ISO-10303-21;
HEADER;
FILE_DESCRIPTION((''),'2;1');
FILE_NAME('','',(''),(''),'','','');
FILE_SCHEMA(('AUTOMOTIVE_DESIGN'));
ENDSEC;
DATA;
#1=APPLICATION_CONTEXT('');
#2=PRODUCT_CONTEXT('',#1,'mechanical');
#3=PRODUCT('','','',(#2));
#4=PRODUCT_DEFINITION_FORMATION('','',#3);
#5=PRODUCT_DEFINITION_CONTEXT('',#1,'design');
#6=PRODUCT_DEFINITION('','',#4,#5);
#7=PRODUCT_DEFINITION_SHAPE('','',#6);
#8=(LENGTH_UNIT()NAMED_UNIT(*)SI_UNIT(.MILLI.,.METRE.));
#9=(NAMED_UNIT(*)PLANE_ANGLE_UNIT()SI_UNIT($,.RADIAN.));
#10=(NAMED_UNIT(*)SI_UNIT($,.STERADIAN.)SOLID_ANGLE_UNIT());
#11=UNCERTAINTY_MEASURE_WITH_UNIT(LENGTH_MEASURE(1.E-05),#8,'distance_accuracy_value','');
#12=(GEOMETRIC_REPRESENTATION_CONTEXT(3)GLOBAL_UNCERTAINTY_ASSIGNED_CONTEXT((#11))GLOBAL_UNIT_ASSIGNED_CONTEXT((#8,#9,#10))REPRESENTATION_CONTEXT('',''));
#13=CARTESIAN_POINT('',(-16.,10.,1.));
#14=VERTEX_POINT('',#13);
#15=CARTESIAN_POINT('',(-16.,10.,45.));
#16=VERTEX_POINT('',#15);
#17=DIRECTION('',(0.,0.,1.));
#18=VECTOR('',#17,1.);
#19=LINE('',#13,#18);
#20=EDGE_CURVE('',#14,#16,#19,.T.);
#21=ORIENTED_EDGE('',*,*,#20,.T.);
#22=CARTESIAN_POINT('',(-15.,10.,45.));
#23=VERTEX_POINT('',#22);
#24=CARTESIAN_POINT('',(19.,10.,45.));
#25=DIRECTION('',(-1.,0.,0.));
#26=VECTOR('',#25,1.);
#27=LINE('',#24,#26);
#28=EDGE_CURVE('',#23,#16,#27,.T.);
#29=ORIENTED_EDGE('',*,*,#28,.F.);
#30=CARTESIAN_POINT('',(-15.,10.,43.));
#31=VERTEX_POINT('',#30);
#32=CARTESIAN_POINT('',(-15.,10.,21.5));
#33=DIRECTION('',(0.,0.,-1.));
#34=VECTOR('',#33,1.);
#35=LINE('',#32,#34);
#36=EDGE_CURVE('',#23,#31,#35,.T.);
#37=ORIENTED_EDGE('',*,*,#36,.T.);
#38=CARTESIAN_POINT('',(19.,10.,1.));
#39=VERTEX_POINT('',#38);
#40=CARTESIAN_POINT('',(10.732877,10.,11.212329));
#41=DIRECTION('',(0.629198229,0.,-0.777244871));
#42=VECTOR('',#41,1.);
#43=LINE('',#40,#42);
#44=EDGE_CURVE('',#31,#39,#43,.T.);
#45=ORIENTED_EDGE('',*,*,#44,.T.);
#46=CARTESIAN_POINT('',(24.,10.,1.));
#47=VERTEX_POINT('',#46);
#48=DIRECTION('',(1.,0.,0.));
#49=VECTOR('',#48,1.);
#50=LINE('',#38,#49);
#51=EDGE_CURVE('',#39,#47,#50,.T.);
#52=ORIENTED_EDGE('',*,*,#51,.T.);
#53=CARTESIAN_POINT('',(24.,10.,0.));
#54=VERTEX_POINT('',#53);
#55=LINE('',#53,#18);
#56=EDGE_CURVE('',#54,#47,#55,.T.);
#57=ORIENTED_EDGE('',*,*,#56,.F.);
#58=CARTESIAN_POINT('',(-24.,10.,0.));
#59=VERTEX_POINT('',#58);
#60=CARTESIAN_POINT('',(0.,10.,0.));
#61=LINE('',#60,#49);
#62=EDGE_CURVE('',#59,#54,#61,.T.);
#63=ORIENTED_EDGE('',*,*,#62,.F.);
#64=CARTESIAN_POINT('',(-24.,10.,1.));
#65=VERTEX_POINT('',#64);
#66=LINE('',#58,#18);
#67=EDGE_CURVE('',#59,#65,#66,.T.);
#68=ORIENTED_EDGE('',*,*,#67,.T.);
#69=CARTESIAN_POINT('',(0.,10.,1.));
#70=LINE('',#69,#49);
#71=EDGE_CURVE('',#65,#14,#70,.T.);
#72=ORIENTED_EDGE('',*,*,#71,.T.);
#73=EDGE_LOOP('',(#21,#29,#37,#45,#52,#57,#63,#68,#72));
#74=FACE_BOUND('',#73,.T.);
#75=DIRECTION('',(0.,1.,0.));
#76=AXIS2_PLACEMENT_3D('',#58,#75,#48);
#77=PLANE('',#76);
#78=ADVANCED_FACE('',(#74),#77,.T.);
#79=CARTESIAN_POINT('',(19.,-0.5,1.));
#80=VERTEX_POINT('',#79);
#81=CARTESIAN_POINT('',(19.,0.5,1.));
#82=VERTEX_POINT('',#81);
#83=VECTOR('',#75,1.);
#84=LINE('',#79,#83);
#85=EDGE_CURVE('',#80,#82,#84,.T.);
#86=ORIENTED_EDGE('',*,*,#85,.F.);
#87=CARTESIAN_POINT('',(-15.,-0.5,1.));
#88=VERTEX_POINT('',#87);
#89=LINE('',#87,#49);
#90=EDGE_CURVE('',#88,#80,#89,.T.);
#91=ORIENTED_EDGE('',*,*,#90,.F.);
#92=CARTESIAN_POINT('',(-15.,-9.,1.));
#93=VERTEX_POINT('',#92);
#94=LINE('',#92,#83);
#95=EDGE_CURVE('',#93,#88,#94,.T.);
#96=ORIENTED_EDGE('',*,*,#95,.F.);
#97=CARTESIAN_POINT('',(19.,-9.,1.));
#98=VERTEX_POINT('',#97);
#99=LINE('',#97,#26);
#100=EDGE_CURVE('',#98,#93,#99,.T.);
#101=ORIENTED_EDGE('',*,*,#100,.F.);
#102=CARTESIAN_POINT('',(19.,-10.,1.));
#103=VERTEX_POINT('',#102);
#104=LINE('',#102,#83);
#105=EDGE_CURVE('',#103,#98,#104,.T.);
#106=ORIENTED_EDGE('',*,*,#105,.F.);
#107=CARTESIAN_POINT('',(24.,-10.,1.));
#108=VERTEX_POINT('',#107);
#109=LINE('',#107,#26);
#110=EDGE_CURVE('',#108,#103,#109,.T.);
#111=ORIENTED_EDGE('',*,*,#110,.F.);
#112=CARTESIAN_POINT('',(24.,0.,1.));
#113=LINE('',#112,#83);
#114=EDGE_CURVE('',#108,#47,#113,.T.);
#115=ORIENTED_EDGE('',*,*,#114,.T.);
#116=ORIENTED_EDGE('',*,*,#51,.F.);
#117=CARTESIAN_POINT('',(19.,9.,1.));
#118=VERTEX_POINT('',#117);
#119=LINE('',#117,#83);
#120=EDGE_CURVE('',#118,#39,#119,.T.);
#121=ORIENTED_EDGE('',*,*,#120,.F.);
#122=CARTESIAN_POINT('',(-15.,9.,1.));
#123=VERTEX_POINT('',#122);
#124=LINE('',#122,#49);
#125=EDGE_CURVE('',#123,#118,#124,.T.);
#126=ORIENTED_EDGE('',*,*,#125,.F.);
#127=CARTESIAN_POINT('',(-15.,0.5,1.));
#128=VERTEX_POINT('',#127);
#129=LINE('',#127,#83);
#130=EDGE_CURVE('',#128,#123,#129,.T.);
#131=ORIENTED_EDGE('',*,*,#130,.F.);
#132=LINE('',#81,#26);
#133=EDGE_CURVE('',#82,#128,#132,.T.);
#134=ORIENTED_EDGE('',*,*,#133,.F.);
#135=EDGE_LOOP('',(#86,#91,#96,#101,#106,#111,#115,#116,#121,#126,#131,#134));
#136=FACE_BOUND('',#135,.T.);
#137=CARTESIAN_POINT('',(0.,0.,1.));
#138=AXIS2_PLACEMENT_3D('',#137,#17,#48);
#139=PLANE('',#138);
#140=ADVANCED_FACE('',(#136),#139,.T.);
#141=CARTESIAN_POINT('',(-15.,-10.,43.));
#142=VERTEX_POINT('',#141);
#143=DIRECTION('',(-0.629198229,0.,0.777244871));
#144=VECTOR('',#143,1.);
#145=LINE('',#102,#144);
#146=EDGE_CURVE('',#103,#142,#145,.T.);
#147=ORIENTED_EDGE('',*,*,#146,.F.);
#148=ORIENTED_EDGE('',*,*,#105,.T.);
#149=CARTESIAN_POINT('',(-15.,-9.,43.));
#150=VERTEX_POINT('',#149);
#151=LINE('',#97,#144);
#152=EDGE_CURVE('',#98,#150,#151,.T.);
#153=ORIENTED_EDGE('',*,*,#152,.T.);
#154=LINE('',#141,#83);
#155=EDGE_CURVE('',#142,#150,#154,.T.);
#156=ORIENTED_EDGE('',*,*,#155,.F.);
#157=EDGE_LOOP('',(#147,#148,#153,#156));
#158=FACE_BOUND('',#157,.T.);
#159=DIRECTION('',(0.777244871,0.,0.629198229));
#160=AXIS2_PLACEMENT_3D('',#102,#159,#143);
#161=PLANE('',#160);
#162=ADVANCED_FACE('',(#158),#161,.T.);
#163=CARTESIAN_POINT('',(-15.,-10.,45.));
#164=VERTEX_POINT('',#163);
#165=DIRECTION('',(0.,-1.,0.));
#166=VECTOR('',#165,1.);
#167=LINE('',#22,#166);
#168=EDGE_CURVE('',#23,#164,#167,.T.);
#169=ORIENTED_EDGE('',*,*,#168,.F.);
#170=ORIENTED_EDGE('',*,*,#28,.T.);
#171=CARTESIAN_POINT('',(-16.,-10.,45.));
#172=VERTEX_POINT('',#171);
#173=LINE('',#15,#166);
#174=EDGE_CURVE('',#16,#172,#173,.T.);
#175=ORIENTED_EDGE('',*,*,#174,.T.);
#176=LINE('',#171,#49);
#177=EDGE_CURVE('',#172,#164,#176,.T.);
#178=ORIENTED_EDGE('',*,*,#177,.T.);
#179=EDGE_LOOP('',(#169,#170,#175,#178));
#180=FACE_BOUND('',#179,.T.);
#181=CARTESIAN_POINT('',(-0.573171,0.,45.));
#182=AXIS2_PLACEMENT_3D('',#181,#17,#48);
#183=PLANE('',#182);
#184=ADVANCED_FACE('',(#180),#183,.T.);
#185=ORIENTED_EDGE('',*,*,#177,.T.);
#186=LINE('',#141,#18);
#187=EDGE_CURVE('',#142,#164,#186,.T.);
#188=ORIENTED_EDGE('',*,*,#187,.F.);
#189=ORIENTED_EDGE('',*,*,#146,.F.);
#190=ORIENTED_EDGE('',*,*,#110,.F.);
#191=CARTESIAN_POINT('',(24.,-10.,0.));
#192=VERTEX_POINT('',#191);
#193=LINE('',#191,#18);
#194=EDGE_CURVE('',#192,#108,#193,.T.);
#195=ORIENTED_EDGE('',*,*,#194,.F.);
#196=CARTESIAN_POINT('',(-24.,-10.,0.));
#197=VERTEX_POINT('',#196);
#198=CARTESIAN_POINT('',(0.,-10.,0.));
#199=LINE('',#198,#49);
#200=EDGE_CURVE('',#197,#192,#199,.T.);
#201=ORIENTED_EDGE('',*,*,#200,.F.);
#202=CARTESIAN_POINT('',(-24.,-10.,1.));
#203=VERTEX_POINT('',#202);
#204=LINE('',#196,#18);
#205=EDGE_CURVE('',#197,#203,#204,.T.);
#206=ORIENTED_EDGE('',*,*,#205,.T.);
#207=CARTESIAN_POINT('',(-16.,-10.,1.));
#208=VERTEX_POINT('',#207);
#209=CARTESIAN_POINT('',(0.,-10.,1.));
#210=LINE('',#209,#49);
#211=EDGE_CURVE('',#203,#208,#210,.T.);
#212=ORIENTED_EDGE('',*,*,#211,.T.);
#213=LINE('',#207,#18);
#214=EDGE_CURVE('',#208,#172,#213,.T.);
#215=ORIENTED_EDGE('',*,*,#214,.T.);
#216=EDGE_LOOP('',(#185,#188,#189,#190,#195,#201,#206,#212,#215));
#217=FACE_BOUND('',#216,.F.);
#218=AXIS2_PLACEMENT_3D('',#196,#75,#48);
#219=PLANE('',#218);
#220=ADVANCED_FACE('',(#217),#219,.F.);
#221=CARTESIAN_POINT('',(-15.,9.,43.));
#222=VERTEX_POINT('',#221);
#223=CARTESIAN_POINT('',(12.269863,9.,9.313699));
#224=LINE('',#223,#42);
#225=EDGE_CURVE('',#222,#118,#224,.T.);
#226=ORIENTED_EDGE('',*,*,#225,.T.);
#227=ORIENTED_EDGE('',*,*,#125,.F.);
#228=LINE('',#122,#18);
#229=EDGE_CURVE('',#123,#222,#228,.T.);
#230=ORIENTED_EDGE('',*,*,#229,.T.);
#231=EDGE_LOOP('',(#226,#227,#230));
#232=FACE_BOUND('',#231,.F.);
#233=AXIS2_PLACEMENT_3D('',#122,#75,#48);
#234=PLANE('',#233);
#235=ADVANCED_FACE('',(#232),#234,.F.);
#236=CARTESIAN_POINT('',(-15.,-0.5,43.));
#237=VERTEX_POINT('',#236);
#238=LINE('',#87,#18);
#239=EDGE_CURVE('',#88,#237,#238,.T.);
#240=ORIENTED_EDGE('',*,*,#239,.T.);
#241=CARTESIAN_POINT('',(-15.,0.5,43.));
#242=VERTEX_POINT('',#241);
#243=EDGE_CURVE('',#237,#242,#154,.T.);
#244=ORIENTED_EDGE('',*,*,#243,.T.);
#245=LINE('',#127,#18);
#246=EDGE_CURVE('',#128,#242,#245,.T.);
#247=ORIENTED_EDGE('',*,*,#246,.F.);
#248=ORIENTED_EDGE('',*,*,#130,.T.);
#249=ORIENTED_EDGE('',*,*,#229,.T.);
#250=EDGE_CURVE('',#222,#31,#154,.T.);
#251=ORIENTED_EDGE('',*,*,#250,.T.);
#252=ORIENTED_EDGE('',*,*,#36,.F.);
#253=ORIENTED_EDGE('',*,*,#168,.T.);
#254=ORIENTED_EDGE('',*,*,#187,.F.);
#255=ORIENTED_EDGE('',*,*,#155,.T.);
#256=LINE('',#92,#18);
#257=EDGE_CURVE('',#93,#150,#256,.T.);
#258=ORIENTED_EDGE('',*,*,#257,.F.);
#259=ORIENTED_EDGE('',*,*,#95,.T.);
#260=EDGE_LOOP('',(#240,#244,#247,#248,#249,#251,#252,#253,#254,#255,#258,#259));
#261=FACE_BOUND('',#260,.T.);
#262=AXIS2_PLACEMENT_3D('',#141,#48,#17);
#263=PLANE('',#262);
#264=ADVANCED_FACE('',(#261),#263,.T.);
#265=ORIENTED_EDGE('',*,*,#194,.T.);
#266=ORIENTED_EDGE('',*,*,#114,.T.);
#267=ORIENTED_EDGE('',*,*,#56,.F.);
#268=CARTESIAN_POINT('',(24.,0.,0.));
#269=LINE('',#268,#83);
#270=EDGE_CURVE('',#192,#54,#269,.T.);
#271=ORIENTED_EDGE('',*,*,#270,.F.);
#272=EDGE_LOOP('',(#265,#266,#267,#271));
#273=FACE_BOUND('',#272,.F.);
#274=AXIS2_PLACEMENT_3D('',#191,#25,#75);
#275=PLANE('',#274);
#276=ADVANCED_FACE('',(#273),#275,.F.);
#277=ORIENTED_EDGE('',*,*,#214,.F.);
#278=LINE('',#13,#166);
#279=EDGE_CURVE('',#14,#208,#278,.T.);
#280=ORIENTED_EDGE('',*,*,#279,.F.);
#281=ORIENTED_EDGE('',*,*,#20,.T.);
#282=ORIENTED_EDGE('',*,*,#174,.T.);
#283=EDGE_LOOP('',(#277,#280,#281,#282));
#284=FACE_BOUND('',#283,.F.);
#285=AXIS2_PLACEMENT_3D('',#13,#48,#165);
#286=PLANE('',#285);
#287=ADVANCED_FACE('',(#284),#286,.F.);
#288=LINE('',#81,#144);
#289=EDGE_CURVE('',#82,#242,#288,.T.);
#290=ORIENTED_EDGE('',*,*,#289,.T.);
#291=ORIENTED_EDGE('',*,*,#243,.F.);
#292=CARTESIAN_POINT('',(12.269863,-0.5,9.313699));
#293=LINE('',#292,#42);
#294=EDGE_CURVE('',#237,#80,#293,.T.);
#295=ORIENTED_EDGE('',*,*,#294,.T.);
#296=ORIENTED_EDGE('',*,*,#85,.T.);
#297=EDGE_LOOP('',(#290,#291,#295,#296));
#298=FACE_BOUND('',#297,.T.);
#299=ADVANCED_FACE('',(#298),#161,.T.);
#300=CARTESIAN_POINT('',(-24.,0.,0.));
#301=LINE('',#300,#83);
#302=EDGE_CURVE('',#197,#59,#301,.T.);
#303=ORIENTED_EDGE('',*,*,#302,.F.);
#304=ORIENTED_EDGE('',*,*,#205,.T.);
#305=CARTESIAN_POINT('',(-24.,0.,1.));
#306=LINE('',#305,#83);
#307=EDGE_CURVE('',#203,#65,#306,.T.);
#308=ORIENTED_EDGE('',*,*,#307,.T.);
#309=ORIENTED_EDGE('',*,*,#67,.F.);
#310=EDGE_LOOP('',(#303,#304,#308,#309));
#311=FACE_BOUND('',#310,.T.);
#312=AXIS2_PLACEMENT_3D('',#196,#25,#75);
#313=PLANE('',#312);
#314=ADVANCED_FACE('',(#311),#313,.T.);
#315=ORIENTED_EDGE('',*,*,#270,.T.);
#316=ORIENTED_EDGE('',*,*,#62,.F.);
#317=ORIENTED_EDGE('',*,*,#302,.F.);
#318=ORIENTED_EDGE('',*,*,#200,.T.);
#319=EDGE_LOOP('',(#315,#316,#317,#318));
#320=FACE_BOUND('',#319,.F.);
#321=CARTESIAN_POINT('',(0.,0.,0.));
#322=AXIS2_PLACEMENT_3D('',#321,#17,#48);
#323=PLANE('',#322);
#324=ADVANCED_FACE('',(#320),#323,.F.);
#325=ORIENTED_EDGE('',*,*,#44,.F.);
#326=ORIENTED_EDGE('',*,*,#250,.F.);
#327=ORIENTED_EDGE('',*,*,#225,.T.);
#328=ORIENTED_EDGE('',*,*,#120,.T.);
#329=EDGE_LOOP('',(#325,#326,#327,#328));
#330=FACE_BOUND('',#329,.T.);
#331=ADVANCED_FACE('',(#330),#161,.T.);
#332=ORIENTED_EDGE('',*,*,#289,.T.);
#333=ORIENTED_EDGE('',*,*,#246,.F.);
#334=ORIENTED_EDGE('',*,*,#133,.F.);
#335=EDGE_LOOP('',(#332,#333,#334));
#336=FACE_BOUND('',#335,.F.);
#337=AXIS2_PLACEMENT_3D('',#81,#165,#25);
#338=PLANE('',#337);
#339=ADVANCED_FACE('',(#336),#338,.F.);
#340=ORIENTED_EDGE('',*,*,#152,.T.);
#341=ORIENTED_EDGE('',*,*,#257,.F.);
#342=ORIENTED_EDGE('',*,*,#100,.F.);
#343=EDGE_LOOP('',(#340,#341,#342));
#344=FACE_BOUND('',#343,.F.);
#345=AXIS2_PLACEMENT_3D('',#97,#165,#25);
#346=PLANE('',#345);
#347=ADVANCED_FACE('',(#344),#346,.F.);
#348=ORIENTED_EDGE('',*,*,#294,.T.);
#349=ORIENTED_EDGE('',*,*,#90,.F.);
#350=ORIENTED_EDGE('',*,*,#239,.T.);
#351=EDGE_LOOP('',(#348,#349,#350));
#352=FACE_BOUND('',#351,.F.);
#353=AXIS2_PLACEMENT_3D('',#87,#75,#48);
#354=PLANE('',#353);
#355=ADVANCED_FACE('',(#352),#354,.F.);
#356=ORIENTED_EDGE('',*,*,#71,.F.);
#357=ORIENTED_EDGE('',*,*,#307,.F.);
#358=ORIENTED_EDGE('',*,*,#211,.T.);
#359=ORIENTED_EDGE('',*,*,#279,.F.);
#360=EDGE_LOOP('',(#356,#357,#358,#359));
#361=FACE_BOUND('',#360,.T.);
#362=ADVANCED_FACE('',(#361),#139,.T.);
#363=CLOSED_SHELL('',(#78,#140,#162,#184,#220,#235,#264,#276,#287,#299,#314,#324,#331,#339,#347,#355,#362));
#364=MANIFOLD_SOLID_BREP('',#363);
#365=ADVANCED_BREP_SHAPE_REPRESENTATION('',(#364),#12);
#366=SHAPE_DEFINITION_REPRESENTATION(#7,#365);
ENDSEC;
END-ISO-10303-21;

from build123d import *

# Parameters (mm, degrees)
SKETCH_W     = 48
SKETCH_H     = 20
PAD_DEPTH    = 1
PAD001_DEPTH = 44
POCKET_DEPTH = 20.001


with BuildPart() as part:
    # Sketch → Pad (new body)
    with BuildSketch(Plane.XY):
        Rectangle(SKETCH_W, SKETCH_H)
    extrude(amount=PAD_DEPTH)

    # Sketch001 → Pad001 (new body)
    with BuildSketch(Plane.XY.offset(1)):
        Polygon((-16, 10), (-16, -10), (19, -10), (19, -9), (-15, -9), (-15, -0.5), (19, -0.5), (19, 0.5), (-15, 0.5), (-15, 9), (19, 9), (19, 10), align=None)
    extrude(amount=PAD001_DEPTH)

    # Sketch002 → Pocket (cut, through all)
    with BuildSketch(Plane.XZ.offset(10)):
        Polygon((19, 1), (-15, 43), (-15, 46), (20, 46), (20, 1), align=None)
    extrude(amount=-POCKET_DEPTH, mode=Mode.SUBTRACT)


solid = part.part
